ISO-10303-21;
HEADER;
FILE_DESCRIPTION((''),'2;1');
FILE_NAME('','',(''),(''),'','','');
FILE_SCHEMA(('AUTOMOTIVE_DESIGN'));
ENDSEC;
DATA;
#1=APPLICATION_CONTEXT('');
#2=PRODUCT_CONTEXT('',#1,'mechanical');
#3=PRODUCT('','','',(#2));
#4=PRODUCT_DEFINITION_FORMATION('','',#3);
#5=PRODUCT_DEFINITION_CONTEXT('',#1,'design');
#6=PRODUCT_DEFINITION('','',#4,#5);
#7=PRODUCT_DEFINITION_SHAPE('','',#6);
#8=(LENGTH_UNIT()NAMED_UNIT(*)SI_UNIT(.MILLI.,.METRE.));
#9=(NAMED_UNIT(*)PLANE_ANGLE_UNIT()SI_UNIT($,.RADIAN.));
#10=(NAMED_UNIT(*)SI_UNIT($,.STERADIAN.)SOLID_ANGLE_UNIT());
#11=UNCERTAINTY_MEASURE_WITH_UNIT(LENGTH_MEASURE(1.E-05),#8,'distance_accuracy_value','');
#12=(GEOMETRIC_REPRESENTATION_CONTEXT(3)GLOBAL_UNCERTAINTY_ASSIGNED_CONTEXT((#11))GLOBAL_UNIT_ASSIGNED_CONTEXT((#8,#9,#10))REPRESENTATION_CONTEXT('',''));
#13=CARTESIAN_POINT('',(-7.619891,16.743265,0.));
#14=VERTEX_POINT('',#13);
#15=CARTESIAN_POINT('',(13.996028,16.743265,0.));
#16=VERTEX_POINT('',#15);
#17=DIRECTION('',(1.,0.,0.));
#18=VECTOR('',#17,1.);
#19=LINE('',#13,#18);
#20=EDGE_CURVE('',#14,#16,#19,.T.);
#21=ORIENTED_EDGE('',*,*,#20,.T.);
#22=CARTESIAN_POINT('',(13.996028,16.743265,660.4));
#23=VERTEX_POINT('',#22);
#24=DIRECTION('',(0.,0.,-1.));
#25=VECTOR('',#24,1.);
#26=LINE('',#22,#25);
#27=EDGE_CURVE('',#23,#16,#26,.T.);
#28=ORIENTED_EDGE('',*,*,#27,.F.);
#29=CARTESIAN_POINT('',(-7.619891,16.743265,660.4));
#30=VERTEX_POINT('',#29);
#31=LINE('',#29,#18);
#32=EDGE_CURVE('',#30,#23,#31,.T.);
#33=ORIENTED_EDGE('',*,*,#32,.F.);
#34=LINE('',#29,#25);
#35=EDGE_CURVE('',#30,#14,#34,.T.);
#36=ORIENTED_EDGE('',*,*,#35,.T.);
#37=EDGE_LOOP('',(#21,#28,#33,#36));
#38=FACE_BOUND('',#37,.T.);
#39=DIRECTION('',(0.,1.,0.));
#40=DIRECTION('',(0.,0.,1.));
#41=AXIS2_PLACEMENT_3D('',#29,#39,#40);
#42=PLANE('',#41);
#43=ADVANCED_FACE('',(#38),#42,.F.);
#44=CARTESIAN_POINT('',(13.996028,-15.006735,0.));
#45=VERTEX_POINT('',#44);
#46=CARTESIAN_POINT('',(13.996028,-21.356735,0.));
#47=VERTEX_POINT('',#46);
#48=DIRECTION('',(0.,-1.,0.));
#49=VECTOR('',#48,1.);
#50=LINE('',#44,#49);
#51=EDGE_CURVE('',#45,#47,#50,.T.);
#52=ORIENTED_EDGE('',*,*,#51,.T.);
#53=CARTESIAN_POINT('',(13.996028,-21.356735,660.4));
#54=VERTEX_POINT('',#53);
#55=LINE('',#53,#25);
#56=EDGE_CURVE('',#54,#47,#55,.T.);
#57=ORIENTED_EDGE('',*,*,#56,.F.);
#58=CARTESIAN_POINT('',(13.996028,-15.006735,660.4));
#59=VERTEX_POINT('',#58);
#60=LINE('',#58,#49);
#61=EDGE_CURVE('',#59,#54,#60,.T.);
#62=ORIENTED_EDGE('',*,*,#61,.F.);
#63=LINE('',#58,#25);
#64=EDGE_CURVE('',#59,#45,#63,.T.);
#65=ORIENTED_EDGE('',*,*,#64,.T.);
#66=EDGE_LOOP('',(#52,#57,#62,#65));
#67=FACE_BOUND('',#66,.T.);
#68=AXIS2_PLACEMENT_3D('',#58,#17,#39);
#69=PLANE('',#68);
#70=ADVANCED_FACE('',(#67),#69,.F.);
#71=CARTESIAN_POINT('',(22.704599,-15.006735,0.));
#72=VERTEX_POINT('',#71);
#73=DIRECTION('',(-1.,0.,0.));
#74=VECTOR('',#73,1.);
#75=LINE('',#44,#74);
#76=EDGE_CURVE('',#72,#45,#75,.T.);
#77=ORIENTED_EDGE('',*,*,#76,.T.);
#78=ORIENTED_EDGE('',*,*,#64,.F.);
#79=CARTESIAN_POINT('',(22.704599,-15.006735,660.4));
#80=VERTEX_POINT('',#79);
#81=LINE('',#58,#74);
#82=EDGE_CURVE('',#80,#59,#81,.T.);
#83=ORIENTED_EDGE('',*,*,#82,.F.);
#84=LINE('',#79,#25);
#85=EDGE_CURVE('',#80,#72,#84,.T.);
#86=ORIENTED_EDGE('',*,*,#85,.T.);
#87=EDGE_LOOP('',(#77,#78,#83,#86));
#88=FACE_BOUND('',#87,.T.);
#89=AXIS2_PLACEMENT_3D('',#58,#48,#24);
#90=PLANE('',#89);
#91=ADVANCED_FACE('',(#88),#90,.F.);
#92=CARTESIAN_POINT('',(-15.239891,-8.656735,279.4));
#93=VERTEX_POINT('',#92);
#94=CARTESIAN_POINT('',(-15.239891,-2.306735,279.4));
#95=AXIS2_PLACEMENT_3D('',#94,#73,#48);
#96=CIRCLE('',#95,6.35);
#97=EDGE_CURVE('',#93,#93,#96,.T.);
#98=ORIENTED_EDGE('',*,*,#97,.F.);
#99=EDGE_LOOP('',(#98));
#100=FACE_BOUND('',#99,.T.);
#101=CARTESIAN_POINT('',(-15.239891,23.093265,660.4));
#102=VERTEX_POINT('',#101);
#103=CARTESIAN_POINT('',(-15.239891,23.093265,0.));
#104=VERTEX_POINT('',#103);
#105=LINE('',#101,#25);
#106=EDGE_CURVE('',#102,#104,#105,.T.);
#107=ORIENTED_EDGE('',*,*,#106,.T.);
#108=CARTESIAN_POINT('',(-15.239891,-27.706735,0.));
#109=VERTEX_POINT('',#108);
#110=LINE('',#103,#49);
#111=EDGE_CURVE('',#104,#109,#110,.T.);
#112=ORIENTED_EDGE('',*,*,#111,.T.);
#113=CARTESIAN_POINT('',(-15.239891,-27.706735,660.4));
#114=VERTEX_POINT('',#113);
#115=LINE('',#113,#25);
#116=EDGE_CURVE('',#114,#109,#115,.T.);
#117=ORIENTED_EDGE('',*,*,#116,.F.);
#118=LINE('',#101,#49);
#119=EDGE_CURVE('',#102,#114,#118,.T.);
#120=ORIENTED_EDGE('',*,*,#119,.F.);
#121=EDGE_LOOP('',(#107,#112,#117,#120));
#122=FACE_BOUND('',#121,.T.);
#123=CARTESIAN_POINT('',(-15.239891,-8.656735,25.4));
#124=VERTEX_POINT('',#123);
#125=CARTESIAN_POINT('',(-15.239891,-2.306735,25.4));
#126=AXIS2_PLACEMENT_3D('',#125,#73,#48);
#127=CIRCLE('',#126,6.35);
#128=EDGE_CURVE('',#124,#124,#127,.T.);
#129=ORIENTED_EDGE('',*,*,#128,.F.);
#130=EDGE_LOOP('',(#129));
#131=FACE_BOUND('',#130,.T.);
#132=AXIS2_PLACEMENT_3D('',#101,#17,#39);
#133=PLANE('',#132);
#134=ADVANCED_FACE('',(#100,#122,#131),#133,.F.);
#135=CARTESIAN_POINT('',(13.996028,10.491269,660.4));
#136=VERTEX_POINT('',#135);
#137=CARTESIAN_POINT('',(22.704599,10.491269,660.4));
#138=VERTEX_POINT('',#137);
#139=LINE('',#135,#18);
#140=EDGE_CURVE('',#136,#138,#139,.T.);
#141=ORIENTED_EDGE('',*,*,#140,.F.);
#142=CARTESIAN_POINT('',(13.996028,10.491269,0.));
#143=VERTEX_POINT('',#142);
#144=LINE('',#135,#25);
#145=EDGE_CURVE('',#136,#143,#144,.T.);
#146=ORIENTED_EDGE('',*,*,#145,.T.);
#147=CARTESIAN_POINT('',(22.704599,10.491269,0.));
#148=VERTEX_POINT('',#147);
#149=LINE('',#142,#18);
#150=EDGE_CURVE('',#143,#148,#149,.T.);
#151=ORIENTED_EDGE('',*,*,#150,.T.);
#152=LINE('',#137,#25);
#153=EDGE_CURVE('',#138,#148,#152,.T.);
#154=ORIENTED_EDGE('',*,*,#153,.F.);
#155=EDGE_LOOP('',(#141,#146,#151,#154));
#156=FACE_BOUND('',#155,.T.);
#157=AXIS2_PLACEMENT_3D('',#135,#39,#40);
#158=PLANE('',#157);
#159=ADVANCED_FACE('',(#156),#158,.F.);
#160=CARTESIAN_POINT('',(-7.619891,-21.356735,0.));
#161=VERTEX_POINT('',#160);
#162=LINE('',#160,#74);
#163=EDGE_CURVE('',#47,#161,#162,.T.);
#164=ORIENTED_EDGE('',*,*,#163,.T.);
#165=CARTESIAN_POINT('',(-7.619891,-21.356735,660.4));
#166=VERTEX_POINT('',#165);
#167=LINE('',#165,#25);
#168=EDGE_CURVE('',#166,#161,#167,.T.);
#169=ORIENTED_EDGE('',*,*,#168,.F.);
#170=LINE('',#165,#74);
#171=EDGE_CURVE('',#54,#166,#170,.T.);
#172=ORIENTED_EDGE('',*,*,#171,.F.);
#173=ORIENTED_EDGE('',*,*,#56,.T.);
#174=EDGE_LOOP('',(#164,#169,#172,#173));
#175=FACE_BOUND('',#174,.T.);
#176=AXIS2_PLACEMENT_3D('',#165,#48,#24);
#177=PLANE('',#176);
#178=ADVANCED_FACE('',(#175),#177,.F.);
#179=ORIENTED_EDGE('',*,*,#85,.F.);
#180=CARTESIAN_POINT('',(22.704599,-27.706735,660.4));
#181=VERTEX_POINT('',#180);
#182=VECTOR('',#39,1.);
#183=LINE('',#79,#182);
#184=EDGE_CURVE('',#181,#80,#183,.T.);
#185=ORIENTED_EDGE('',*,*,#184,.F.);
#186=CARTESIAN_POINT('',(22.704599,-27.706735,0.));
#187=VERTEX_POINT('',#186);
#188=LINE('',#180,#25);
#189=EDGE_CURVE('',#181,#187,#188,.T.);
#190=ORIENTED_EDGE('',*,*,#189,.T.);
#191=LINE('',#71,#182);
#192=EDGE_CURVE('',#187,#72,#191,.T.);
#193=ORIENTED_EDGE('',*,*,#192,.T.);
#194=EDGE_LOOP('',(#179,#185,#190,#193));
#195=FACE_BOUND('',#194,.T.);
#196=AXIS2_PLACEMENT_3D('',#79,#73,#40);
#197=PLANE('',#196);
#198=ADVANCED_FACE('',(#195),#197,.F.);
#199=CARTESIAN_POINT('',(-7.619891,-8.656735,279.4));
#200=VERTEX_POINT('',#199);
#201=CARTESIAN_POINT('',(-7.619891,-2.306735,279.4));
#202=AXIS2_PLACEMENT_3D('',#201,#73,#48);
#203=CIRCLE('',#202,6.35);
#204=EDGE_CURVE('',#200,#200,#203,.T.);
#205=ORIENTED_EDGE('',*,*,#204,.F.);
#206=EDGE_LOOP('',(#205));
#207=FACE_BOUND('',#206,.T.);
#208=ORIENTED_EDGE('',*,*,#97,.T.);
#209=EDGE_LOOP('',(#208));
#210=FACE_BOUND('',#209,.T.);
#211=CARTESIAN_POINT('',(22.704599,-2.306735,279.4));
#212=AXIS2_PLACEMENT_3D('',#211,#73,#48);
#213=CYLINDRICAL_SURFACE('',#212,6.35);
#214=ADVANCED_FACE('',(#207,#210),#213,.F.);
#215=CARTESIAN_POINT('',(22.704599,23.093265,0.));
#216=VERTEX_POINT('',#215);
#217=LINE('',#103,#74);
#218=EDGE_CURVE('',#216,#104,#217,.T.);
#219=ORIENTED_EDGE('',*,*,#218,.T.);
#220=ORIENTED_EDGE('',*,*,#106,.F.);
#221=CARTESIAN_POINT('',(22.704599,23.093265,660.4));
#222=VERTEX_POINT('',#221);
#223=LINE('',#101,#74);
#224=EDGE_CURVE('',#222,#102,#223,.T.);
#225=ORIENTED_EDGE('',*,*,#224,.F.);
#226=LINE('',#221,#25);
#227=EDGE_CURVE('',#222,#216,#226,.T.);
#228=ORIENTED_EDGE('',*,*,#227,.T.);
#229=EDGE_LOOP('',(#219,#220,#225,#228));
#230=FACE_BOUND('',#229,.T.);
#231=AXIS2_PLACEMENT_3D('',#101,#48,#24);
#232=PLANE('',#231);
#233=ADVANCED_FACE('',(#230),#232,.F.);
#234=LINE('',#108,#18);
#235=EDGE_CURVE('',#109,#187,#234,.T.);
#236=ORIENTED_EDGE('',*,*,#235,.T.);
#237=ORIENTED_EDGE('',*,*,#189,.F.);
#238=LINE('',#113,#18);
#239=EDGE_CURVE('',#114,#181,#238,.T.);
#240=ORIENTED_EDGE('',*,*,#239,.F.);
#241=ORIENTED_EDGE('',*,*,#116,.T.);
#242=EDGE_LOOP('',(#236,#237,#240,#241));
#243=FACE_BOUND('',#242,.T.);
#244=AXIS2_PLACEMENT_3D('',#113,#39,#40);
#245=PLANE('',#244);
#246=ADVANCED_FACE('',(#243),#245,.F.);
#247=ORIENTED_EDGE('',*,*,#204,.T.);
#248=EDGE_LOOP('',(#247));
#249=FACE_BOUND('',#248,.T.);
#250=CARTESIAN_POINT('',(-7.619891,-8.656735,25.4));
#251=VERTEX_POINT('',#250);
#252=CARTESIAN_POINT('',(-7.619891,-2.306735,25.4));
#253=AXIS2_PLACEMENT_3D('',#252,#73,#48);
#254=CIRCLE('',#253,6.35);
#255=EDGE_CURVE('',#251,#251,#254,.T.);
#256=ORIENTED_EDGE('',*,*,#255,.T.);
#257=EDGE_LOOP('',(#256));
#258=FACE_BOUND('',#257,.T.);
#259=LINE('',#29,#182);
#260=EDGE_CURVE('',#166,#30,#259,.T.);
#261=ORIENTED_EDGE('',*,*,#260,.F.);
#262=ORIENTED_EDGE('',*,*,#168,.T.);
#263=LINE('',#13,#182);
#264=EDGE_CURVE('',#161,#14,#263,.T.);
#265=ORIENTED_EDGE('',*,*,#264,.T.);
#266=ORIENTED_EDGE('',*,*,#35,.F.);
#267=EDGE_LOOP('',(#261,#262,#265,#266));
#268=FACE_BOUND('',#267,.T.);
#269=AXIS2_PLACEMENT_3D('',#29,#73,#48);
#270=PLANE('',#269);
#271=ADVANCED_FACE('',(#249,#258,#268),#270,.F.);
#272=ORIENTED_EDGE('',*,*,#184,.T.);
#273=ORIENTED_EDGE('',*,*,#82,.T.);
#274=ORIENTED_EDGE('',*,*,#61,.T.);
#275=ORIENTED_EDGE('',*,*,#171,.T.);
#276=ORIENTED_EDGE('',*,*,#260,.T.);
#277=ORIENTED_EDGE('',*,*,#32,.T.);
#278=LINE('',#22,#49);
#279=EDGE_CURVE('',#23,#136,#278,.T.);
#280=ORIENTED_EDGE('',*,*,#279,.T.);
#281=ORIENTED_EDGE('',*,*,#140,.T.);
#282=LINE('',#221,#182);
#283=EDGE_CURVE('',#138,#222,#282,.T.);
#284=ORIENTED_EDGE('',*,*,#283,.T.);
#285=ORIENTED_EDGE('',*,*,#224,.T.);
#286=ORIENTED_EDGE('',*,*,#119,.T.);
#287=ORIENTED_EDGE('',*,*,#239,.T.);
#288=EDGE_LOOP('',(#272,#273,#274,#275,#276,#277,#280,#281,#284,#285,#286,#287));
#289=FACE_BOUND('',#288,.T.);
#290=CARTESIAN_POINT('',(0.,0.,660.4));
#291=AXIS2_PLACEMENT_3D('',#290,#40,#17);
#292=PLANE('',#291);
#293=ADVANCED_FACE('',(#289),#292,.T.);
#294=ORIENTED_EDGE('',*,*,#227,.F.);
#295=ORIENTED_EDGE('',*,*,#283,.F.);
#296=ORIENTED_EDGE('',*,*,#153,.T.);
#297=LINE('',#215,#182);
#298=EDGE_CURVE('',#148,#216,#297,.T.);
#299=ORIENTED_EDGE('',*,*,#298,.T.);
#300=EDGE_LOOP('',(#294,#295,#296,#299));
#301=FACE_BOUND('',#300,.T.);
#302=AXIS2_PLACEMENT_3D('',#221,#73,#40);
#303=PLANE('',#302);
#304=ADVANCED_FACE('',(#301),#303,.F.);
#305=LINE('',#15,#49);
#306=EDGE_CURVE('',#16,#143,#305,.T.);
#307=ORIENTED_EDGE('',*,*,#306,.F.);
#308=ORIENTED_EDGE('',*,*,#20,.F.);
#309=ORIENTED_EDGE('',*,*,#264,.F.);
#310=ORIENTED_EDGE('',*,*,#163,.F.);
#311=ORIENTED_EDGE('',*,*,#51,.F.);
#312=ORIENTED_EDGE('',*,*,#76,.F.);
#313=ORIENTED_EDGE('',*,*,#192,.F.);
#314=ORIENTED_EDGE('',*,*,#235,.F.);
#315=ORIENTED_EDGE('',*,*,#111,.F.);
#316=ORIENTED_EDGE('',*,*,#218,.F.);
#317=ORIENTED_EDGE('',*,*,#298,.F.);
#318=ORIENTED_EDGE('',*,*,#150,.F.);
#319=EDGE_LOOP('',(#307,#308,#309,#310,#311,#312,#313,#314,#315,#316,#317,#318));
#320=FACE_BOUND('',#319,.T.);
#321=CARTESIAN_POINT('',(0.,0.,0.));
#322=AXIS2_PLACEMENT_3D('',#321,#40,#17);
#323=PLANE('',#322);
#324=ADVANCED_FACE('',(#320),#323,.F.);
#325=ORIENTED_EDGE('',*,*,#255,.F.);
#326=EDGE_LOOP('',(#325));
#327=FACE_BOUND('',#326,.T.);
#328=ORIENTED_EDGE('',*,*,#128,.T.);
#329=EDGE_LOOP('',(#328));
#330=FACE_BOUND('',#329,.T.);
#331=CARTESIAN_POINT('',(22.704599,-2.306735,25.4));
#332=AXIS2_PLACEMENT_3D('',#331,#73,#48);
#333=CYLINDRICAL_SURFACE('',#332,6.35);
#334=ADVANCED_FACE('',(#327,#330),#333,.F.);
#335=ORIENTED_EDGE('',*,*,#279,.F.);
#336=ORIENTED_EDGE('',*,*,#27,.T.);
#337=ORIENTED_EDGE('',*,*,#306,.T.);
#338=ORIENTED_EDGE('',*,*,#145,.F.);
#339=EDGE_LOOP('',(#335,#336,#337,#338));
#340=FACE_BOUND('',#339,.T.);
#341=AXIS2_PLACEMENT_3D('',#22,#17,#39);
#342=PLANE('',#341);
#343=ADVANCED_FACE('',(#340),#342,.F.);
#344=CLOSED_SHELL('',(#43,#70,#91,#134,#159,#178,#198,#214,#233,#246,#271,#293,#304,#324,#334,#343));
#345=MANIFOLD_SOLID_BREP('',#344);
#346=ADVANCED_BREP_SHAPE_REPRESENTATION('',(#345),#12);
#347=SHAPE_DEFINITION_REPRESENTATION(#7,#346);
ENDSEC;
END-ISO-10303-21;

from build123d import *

# Parameters (mm, degrees)
BOSS_EXTRUDE1_DEPTH = 660.4
SKETCH2_R           = 6.35
CUT_EXTRUDE1_DEPTH  = 38.944489796


with BuildPart() as part:
    # Sketch1 → Boss-Extrude1 (new body)
    with BuildSketch(Plane.XY):
        Polygon((13.996027612, 10.491268563), (22.704599041, 10.491268563), (22.704599041, 23.093265306), (-15.239890755, 23.093265306), (-15.239890755, -27.706734694), (22.704599041, -27.706734694), (22.704599041, -15.006734694), (13.996027612, -15.006734694), (13.996027612, -21.356734694), (-7.619890755, -21.356734694), (-7.619890755, 16.743265306), (13.996027612, 16.743265306), align=None)
    extrude(amount=BOSS_EXTRUDE1_DEPTH)

    # Sketch2 → Cut-Extrude1 (cut, through all)
    with BuildSketch(Plane.ZY.offset(15.239890755)):
        with Locations((25.4, -2.306734694)):
            Circle(SKETCH2_R)
        with Locations((279.4, -2.306734694)):
            Circle(SKETCH2_R)
    extrude(amount=-CUT_EXTRUDE1_DEPTH, mode=Mode.SUBTRACT)


solid = part.part
